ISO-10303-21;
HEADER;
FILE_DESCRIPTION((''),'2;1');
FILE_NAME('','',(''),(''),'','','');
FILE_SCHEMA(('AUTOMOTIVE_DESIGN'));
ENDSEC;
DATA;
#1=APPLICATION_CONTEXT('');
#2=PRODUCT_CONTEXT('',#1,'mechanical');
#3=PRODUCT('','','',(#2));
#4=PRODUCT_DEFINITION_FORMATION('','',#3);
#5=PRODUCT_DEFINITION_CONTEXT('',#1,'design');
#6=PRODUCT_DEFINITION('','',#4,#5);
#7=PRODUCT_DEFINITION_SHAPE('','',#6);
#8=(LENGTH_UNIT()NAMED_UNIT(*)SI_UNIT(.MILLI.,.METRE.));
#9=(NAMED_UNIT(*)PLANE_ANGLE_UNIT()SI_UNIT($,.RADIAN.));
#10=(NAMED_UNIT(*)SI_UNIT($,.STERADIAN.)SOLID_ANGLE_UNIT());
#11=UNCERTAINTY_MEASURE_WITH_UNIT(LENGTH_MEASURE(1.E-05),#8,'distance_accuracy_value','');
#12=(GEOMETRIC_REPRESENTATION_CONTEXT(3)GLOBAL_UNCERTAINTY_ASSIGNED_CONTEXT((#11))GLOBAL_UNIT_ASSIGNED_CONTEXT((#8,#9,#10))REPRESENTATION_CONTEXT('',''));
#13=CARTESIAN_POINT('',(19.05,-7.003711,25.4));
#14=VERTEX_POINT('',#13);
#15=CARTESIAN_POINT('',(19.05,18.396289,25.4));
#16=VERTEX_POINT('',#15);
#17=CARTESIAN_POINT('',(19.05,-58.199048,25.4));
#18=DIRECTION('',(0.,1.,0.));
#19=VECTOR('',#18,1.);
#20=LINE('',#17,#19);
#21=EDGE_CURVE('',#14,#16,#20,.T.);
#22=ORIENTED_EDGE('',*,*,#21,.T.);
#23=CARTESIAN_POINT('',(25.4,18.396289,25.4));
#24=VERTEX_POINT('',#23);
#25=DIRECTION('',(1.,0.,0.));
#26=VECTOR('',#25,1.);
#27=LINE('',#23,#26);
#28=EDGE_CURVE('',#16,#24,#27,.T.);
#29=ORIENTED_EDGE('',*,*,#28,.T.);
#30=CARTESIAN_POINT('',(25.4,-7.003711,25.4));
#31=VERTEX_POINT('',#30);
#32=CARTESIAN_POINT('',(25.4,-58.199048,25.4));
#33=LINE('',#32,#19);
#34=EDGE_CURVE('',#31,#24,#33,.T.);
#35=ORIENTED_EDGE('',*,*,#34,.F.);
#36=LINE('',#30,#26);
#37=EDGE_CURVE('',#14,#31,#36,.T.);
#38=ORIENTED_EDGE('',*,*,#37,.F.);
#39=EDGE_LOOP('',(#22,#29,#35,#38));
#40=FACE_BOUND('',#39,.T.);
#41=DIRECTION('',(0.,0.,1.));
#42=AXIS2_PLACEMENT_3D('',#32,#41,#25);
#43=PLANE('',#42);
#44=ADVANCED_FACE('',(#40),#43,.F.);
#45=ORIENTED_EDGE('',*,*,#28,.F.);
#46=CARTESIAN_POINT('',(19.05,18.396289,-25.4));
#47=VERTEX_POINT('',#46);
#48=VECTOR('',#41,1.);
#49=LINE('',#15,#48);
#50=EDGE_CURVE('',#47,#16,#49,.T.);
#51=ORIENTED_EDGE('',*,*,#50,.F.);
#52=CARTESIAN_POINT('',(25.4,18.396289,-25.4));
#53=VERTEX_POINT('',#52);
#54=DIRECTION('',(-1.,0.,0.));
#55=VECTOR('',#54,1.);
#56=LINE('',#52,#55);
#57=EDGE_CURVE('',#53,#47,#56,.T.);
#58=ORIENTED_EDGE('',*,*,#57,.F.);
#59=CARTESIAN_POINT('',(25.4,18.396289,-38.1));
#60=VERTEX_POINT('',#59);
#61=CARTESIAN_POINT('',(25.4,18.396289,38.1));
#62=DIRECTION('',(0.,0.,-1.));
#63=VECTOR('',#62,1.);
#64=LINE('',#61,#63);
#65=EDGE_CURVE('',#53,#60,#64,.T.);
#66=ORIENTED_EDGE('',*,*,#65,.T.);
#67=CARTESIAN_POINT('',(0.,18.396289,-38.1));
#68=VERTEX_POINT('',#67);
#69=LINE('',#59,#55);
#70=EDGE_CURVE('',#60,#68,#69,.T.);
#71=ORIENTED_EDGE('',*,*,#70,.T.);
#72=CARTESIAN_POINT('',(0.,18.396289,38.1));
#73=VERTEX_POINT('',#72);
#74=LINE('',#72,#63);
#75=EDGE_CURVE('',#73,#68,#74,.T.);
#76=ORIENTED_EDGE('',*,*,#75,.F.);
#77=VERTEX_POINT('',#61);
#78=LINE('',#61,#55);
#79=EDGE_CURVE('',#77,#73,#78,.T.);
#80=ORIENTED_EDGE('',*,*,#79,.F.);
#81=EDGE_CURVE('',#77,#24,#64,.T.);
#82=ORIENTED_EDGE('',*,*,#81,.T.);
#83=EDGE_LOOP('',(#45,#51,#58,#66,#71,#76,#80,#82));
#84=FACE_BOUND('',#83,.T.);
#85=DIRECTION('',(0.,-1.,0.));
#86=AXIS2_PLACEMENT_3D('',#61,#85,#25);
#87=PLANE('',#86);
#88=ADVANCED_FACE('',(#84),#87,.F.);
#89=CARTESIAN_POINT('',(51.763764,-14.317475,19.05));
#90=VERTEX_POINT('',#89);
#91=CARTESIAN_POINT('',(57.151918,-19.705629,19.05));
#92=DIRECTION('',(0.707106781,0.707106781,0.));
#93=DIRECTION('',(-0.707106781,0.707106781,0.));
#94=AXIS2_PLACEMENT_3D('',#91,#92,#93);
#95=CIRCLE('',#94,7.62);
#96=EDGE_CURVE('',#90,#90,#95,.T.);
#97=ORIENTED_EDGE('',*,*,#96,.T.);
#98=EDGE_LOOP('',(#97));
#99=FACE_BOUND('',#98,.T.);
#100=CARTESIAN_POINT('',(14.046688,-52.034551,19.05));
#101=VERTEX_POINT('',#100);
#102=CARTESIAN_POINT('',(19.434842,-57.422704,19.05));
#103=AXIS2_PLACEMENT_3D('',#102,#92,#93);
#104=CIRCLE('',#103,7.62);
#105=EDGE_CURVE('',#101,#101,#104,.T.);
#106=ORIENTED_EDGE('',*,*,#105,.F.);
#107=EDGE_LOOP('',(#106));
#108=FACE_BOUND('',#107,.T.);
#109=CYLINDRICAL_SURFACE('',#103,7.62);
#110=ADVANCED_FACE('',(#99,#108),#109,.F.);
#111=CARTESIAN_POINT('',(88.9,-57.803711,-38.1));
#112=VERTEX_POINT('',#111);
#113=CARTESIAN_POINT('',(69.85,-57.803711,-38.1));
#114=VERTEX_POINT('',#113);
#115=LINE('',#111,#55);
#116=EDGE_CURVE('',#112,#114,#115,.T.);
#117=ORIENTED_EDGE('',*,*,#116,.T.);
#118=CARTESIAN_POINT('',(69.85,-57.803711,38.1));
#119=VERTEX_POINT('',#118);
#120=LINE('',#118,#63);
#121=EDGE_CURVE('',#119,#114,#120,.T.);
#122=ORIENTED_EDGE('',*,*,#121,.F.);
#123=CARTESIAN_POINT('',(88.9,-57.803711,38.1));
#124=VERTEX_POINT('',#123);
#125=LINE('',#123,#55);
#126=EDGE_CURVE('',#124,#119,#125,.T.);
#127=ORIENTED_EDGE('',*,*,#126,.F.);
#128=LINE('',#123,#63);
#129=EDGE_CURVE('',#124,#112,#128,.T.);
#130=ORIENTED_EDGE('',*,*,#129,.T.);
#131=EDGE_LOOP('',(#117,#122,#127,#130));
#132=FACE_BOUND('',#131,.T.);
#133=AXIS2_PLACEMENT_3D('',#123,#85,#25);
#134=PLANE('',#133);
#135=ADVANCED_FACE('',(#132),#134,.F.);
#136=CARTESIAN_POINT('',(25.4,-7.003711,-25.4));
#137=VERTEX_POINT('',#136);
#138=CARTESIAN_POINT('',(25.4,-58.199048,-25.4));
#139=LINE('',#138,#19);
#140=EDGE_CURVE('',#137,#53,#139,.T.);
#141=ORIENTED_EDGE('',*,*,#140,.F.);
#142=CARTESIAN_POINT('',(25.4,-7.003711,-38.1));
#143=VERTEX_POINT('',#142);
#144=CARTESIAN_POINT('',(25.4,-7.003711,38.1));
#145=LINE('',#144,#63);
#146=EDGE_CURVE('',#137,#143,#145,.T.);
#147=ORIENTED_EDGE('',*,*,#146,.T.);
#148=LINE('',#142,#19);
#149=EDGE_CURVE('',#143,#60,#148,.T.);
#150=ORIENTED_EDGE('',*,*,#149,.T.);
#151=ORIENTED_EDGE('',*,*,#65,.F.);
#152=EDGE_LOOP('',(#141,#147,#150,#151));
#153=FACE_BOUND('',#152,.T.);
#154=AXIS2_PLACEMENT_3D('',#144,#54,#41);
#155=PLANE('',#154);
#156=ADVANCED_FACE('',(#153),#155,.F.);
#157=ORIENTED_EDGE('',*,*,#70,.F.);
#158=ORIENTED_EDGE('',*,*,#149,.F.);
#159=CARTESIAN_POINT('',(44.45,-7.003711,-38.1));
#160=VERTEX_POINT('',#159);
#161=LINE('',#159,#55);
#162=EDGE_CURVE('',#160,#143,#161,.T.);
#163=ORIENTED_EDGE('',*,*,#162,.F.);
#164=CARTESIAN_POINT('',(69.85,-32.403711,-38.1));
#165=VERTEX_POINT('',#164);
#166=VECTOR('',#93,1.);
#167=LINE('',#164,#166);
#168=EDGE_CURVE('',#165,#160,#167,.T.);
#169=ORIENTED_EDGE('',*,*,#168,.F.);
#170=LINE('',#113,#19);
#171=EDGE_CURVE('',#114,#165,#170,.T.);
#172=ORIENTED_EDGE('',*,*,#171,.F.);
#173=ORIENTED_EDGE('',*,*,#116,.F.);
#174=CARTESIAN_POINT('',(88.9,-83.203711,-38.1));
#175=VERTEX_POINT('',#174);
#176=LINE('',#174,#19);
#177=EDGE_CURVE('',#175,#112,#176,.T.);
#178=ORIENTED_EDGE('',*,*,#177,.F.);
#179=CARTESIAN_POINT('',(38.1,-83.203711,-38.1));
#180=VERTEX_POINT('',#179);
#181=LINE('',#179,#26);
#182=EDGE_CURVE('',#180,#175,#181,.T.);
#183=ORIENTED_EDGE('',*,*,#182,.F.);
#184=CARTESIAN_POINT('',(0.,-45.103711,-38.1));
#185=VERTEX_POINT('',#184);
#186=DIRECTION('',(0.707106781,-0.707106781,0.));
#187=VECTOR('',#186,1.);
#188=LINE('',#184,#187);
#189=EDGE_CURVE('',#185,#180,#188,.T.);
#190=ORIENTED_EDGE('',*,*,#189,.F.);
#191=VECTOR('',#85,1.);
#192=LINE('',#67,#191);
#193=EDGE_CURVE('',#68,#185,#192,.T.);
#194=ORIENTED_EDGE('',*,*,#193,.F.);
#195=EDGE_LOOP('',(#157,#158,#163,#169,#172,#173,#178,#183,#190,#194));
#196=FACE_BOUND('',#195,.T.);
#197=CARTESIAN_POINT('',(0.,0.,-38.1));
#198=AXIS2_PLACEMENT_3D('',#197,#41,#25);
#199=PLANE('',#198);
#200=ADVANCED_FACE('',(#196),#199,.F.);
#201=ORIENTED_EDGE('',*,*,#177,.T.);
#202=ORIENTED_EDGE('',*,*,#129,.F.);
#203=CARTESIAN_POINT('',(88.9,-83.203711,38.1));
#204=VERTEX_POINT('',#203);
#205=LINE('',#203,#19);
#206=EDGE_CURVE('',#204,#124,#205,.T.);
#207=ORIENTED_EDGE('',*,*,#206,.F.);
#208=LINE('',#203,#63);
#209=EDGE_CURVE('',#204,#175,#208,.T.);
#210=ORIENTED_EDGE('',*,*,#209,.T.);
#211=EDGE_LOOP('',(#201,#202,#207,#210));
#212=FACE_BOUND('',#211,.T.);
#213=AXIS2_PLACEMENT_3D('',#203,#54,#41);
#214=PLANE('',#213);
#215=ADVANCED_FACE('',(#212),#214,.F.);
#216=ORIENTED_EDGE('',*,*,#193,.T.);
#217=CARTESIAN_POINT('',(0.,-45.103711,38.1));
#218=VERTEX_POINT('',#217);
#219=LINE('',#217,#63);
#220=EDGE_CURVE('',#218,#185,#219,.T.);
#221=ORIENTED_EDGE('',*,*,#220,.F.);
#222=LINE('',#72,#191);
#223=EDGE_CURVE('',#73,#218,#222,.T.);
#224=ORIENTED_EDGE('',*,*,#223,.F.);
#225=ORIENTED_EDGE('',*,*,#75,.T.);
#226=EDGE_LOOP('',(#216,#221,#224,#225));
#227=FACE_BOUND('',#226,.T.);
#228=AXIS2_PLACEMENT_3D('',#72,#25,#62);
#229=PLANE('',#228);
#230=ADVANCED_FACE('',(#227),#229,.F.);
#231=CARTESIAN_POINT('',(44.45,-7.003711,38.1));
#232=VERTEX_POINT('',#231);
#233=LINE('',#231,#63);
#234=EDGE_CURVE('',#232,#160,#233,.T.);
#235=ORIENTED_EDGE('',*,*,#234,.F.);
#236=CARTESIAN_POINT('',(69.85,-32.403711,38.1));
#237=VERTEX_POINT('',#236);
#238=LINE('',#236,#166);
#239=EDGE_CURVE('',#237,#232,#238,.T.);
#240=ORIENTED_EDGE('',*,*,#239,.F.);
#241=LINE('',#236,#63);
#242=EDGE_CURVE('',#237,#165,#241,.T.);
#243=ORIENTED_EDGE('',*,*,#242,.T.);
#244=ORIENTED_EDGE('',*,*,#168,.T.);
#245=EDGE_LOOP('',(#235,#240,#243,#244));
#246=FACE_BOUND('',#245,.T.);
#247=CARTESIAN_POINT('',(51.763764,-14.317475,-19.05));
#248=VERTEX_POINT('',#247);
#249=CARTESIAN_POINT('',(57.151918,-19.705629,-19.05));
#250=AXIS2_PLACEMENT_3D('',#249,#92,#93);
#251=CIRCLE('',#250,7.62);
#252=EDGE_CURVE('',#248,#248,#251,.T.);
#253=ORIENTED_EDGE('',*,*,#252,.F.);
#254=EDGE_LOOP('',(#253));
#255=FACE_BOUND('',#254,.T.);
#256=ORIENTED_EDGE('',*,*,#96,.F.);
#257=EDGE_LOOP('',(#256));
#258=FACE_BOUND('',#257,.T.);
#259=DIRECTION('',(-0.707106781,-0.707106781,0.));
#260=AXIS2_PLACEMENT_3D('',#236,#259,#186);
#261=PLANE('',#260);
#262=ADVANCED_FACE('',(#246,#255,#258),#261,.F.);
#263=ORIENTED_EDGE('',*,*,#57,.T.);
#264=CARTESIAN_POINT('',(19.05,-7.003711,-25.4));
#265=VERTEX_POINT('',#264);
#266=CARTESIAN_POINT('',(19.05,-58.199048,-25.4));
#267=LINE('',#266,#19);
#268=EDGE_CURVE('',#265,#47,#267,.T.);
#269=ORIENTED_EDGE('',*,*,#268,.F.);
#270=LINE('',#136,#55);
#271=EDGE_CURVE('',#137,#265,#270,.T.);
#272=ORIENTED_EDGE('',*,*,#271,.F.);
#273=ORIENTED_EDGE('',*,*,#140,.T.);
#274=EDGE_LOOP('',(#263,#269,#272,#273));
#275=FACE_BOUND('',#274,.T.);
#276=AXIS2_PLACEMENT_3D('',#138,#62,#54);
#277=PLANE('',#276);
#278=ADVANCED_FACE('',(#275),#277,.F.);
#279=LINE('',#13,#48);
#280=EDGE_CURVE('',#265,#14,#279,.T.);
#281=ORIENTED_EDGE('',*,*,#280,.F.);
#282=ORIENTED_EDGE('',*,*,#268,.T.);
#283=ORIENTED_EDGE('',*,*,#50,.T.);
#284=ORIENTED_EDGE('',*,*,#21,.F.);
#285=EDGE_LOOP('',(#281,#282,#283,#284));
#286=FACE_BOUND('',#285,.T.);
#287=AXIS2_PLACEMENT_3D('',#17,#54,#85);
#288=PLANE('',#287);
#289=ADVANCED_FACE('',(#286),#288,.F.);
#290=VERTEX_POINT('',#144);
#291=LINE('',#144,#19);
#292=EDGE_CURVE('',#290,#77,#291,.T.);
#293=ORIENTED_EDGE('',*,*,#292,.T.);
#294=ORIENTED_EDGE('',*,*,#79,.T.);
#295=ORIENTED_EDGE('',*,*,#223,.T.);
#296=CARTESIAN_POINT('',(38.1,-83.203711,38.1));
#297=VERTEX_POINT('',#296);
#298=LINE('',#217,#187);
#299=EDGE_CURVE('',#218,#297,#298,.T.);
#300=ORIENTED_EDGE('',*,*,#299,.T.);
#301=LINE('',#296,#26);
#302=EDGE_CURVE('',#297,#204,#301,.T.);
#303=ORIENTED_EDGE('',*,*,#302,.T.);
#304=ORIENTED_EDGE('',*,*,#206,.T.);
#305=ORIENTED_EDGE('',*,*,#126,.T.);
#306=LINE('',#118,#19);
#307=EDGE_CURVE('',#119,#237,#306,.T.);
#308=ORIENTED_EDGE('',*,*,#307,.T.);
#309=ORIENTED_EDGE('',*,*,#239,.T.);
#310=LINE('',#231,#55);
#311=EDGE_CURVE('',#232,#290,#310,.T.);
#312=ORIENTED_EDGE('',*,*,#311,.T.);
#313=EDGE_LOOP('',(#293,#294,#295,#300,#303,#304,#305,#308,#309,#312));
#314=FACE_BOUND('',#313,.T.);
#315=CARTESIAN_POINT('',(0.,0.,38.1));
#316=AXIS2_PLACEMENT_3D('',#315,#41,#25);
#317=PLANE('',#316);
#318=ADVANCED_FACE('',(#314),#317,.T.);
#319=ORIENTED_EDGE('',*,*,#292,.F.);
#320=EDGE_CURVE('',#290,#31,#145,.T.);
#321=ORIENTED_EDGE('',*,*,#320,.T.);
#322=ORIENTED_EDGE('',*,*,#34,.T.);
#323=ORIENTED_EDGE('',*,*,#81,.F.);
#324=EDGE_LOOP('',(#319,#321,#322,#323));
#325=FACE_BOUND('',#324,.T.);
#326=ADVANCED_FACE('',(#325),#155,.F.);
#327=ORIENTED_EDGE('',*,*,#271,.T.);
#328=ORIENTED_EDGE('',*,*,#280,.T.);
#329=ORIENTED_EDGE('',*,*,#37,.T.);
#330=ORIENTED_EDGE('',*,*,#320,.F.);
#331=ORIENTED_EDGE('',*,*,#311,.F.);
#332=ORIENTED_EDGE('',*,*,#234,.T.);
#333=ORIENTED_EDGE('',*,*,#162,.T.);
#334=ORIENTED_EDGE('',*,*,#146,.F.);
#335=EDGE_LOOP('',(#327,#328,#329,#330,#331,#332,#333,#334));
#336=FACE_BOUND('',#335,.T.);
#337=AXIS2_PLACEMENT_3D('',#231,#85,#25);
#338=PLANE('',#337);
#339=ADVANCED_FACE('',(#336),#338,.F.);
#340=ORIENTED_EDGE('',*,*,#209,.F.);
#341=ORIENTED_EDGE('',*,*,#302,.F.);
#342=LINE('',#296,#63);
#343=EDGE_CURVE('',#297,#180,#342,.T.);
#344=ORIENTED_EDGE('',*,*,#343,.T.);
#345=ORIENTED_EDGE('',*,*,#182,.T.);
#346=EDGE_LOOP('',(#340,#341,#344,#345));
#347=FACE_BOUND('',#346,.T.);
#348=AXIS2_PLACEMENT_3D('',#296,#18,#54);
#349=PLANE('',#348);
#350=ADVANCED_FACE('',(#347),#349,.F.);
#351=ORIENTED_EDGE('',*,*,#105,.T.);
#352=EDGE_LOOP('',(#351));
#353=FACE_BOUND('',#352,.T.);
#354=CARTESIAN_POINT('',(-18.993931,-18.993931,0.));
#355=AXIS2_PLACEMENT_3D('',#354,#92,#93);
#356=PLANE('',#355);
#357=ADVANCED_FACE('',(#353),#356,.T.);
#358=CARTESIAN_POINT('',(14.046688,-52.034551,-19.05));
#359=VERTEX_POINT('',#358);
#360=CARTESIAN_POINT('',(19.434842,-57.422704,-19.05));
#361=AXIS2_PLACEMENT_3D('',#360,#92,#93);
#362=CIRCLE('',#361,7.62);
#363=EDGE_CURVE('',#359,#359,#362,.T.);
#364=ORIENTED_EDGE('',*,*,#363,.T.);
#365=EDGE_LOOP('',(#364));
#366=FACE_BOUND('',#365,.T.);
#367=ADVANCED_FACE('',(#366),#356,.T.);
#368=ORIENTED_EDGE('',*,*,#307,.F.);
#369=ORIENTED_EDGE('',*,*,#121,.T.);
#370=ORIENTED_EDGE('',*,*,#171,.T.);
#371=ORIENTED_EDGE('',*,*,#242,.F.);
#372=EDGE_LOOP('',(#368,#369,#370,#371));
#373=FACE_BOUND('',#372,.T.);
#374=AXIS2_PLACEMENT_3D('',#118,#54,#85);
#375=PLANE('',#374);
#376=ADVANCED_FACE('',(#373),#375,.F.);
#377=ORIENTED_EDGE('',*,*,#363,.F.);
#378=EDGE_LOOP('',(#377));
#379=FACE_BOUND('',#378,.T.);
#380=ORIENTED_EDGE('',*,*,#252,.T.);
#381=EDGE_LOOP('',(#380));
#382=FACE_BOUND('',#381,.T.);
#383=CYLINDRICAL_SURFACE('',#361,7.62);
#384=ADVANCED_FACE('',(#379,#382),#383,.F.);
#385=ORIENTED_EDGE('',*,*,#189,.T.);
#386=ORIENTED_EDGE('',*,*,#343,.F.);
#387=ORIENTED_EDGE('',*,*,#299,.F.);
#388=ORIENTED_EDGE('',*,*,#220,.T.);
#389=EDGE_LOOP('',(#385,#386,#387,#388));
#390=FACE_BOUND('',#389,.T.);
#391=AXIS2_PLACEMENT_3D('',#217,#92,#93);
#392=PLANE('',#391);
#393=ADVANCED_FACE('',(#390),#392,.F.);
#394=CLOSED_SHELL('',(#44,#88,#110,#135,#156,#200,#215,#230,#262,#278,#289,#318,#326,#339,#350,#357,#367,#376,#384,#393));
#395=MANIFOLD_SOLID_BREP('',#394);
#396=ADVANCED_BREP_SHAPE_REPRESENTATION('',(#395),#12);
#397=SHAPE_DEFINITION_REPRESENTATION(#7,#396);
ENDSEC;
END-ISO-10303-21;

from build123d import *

# Parameters (mm, degrees)
BOSS_EXTRUDE2_DEPTH = 38.1
SKETCH7_W           = 6.35
SKETCH7_H           = 50.8
CUT_EXTRUDE1_DEPTH  = 25.4
SKETCH8_R           = 7.62
CUT_EXTRUDE3_DEPTH  = 53.34


with BuildPart() as part:
    # Sketch3 → Boss-Extrude2 (new, symmetric)
    with BuildSketch(Plane.XY):
        Polygon((0, 18.396289168), (0, -45.103710832), (38.1, -83.203710832), (88.9, -83.203710832), (88.9, -57.803710832), (69.85, -57.803710832), (69.85, -32.403710832), (44.45, -7.003710832), (25.4, -7.003710832), (25.4, 18.396289168), align=None)
    extrude(amount=BOSS_EXTRUDE2_DEPTH, both=True)

    # Sketch7 → Cut-Extrude1 (cut)
    with BuildSketch(Plane(origin=(0, 18.396289168, 0), x_dir=(1, 0, 0), z_dir=(0, 1, 0))):
        with Locations((22.225, 0)):
            Rectangle(SKETCH7_W, SKETCH7_H)
    extrude(amount=-CUT_EXTRUDE1_DEPTH, mode=Mode.SUBTRACT)

    # Sketch8 → Cut-Extrude3 (cut)
    with BuildSketch(Plane(origin=(18.723144584, 18.723144584, 0), x_dir=(0, 0, -1), z_dir=(0.7071067811865487, 0.7071067811865465, 0))):
        with Locations(Location((-19.05, -54.346492331, 0), (0, 0, 90))):
            Circle(SKETCH8_R)
        with Locations(Location((19.05, -54.346492331, 0), (0, 0, 90))):
            Circle(SKETCH8_R)
    extrude(amount=-CUT_EXTRUDE3_DEPTH, mode=Mode.SUBTRACT)


solid = part.part
